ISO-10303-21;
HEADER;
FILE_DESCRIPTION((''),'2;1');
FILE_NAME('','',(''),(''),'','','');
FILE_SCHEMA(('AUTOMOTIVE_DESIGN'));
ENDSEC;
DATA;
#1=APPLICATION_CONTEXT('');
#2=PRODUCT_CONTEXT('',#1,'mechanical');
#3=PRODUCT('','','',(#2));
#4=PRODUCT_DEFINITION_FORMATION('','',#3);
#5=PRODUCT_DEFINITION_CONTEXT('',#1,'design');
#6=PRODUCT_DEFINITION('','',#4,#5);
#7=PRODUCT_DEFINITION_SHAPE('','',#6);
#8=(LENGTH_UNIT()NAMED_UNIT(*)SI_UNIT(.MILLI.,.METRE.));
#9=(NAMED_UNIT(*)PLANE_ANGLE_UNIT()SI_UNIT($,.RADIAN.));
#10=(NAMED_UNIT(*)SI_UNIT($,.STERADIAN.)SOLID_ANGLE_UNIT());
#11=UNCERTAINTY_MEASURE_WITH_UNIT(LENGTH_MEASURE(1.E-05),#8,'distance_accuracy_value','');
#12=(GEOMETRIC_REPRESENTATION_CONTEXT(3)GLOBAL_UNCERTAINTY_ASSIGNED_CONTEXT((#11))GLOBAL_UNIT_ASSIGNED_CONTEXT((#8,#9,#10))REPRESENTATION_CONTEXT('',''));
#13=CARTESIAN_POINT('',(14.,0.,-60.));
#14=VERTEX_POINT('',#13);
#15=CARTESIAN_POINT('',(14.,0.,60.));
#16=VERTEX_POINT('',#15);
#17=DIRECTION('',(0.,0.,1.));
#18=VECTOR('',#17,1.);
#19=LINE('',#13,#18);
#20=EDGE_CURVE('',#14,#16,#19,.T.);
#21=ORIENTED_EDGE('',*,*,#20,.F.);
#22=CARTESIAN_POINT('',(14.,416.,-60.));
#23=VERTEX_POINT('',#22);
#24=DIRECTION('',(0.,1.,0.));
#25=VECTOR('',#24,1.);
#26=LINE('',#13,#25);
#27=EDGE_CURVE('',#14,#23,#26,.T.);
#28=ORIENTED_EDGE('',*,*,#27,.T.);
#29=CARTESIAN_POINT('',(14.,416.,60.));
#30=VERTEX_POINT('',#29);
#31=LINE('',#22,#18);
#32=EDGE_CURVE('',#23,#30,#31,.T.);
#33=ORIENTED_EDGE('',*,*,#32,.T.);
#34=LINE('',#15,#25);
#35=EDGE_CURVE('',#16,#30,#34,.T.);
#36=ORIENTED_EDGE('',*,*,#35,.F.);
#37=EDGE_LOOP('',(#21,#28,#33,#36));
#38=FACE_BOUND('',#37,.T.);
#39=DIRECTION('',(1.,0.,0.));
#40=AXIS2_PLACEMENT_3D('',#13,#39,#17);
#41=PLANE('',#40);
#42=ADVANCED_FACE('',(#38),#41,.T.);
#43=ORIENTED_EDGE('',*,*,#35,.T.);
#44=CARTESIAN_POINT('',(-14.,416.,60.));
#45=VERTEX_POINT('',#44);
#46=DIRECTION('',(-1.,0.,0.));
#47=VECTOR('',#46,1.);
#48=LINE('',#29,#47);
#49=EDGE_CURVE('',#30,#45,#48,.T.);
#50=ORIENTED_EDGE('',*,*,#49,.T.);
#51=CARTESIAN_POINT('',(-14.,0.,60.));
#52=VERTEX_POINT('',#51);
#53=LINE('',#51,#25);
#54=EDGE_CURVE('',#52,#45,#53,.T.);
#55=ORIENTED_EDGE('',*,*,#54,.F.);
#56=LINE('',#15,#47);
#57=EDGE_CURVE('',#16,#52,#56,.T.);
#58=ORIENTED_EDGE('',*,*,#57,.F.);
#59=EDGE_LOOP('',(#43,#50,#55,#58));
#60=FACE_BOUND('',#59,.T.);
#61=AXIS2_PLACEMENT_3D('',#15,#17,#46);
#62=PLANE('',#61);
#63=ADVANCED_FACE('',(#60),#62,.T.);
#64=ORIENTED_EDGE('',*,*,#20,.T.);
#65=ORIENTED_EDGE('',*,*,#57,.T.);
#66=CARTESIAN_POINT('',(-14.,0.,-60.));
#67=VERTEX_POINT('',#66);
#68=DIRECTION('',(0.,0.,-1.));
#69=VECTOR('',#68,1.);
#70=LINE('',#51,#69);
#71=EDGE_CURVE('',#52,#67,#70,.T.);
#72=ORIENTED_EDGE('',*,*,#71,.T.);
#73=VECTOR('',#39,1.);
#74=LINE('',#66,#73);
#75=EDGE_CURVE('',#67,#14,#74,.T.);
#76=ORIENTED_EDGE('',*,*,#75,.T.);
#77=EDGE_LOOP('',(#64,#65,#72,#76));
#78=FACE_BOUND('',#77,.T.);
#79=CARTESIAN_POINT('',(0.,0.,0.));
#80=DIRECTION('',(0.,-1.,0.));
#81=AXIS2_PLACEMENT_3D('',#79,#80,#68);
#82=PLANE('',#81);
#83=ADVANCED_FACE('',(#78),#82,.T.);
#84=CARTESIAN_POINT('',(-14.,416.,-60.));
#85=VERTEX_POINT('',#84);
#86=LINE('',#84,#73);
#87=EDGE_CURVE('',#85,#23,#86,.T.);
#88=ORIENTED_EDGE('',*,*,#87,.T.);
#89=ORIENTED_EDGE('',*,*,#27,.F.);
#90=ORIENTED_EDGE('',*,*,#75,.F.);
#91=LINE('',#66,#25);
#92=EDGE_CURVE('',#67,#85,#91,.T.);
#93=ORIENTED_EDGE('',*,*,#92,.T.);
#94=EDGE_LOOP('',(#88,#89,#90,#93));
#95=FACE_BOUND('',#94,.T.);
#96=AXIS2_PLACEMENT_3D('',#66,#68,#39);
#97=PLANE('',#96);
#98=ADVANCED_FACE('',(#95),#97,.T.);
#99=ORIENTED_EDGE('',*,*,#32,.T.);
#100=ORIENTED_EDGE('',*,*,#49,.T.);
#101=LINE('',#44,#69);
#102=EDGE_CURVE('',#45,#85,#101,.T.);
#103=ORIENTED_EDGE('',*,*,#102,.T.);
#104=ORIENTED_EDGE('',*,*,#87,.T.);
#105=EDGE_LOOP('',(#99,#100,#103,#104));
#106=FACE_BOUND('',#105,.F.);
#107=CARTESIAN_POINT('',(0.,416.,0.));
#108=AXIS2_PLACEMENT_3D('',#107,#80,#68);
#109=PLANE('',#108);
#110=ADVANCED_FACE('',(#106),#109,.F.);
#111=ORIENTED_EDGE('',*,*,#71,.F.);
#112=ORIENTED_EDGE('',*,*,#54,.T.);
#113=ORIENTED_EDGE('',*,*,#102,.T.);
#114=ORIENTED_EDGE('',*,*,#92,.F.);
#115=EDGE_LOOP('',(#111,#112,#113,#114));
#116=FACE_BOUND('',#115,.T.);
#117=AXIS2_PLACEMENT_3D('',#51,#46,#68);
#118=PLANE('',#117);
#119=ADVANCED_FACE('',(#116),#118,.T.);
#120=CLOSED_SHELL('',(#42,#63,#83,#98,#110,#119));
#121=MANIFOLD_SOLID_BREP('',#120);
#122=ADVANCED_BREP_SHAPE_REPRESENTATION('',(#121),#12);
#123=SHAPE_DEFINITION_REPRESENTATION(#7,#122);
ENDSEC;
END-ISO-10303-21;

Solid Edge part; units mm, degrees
sketch "Sketch1" plane through (0, 0, 0) normal (0, -1, 0) x (1, 0, 0)
  line L0 (-14, -60) -> (14, -60)
  line L1 (14, -60) -> (14, 60)
  line L2 (14, 60) -> (-14, 60)
  line L3 (-14, 60) -> (-14, -60)
extrude "Protrusion1" add sketch "Sketch1" against normal blind 416
properties material "Wood, Pine"
